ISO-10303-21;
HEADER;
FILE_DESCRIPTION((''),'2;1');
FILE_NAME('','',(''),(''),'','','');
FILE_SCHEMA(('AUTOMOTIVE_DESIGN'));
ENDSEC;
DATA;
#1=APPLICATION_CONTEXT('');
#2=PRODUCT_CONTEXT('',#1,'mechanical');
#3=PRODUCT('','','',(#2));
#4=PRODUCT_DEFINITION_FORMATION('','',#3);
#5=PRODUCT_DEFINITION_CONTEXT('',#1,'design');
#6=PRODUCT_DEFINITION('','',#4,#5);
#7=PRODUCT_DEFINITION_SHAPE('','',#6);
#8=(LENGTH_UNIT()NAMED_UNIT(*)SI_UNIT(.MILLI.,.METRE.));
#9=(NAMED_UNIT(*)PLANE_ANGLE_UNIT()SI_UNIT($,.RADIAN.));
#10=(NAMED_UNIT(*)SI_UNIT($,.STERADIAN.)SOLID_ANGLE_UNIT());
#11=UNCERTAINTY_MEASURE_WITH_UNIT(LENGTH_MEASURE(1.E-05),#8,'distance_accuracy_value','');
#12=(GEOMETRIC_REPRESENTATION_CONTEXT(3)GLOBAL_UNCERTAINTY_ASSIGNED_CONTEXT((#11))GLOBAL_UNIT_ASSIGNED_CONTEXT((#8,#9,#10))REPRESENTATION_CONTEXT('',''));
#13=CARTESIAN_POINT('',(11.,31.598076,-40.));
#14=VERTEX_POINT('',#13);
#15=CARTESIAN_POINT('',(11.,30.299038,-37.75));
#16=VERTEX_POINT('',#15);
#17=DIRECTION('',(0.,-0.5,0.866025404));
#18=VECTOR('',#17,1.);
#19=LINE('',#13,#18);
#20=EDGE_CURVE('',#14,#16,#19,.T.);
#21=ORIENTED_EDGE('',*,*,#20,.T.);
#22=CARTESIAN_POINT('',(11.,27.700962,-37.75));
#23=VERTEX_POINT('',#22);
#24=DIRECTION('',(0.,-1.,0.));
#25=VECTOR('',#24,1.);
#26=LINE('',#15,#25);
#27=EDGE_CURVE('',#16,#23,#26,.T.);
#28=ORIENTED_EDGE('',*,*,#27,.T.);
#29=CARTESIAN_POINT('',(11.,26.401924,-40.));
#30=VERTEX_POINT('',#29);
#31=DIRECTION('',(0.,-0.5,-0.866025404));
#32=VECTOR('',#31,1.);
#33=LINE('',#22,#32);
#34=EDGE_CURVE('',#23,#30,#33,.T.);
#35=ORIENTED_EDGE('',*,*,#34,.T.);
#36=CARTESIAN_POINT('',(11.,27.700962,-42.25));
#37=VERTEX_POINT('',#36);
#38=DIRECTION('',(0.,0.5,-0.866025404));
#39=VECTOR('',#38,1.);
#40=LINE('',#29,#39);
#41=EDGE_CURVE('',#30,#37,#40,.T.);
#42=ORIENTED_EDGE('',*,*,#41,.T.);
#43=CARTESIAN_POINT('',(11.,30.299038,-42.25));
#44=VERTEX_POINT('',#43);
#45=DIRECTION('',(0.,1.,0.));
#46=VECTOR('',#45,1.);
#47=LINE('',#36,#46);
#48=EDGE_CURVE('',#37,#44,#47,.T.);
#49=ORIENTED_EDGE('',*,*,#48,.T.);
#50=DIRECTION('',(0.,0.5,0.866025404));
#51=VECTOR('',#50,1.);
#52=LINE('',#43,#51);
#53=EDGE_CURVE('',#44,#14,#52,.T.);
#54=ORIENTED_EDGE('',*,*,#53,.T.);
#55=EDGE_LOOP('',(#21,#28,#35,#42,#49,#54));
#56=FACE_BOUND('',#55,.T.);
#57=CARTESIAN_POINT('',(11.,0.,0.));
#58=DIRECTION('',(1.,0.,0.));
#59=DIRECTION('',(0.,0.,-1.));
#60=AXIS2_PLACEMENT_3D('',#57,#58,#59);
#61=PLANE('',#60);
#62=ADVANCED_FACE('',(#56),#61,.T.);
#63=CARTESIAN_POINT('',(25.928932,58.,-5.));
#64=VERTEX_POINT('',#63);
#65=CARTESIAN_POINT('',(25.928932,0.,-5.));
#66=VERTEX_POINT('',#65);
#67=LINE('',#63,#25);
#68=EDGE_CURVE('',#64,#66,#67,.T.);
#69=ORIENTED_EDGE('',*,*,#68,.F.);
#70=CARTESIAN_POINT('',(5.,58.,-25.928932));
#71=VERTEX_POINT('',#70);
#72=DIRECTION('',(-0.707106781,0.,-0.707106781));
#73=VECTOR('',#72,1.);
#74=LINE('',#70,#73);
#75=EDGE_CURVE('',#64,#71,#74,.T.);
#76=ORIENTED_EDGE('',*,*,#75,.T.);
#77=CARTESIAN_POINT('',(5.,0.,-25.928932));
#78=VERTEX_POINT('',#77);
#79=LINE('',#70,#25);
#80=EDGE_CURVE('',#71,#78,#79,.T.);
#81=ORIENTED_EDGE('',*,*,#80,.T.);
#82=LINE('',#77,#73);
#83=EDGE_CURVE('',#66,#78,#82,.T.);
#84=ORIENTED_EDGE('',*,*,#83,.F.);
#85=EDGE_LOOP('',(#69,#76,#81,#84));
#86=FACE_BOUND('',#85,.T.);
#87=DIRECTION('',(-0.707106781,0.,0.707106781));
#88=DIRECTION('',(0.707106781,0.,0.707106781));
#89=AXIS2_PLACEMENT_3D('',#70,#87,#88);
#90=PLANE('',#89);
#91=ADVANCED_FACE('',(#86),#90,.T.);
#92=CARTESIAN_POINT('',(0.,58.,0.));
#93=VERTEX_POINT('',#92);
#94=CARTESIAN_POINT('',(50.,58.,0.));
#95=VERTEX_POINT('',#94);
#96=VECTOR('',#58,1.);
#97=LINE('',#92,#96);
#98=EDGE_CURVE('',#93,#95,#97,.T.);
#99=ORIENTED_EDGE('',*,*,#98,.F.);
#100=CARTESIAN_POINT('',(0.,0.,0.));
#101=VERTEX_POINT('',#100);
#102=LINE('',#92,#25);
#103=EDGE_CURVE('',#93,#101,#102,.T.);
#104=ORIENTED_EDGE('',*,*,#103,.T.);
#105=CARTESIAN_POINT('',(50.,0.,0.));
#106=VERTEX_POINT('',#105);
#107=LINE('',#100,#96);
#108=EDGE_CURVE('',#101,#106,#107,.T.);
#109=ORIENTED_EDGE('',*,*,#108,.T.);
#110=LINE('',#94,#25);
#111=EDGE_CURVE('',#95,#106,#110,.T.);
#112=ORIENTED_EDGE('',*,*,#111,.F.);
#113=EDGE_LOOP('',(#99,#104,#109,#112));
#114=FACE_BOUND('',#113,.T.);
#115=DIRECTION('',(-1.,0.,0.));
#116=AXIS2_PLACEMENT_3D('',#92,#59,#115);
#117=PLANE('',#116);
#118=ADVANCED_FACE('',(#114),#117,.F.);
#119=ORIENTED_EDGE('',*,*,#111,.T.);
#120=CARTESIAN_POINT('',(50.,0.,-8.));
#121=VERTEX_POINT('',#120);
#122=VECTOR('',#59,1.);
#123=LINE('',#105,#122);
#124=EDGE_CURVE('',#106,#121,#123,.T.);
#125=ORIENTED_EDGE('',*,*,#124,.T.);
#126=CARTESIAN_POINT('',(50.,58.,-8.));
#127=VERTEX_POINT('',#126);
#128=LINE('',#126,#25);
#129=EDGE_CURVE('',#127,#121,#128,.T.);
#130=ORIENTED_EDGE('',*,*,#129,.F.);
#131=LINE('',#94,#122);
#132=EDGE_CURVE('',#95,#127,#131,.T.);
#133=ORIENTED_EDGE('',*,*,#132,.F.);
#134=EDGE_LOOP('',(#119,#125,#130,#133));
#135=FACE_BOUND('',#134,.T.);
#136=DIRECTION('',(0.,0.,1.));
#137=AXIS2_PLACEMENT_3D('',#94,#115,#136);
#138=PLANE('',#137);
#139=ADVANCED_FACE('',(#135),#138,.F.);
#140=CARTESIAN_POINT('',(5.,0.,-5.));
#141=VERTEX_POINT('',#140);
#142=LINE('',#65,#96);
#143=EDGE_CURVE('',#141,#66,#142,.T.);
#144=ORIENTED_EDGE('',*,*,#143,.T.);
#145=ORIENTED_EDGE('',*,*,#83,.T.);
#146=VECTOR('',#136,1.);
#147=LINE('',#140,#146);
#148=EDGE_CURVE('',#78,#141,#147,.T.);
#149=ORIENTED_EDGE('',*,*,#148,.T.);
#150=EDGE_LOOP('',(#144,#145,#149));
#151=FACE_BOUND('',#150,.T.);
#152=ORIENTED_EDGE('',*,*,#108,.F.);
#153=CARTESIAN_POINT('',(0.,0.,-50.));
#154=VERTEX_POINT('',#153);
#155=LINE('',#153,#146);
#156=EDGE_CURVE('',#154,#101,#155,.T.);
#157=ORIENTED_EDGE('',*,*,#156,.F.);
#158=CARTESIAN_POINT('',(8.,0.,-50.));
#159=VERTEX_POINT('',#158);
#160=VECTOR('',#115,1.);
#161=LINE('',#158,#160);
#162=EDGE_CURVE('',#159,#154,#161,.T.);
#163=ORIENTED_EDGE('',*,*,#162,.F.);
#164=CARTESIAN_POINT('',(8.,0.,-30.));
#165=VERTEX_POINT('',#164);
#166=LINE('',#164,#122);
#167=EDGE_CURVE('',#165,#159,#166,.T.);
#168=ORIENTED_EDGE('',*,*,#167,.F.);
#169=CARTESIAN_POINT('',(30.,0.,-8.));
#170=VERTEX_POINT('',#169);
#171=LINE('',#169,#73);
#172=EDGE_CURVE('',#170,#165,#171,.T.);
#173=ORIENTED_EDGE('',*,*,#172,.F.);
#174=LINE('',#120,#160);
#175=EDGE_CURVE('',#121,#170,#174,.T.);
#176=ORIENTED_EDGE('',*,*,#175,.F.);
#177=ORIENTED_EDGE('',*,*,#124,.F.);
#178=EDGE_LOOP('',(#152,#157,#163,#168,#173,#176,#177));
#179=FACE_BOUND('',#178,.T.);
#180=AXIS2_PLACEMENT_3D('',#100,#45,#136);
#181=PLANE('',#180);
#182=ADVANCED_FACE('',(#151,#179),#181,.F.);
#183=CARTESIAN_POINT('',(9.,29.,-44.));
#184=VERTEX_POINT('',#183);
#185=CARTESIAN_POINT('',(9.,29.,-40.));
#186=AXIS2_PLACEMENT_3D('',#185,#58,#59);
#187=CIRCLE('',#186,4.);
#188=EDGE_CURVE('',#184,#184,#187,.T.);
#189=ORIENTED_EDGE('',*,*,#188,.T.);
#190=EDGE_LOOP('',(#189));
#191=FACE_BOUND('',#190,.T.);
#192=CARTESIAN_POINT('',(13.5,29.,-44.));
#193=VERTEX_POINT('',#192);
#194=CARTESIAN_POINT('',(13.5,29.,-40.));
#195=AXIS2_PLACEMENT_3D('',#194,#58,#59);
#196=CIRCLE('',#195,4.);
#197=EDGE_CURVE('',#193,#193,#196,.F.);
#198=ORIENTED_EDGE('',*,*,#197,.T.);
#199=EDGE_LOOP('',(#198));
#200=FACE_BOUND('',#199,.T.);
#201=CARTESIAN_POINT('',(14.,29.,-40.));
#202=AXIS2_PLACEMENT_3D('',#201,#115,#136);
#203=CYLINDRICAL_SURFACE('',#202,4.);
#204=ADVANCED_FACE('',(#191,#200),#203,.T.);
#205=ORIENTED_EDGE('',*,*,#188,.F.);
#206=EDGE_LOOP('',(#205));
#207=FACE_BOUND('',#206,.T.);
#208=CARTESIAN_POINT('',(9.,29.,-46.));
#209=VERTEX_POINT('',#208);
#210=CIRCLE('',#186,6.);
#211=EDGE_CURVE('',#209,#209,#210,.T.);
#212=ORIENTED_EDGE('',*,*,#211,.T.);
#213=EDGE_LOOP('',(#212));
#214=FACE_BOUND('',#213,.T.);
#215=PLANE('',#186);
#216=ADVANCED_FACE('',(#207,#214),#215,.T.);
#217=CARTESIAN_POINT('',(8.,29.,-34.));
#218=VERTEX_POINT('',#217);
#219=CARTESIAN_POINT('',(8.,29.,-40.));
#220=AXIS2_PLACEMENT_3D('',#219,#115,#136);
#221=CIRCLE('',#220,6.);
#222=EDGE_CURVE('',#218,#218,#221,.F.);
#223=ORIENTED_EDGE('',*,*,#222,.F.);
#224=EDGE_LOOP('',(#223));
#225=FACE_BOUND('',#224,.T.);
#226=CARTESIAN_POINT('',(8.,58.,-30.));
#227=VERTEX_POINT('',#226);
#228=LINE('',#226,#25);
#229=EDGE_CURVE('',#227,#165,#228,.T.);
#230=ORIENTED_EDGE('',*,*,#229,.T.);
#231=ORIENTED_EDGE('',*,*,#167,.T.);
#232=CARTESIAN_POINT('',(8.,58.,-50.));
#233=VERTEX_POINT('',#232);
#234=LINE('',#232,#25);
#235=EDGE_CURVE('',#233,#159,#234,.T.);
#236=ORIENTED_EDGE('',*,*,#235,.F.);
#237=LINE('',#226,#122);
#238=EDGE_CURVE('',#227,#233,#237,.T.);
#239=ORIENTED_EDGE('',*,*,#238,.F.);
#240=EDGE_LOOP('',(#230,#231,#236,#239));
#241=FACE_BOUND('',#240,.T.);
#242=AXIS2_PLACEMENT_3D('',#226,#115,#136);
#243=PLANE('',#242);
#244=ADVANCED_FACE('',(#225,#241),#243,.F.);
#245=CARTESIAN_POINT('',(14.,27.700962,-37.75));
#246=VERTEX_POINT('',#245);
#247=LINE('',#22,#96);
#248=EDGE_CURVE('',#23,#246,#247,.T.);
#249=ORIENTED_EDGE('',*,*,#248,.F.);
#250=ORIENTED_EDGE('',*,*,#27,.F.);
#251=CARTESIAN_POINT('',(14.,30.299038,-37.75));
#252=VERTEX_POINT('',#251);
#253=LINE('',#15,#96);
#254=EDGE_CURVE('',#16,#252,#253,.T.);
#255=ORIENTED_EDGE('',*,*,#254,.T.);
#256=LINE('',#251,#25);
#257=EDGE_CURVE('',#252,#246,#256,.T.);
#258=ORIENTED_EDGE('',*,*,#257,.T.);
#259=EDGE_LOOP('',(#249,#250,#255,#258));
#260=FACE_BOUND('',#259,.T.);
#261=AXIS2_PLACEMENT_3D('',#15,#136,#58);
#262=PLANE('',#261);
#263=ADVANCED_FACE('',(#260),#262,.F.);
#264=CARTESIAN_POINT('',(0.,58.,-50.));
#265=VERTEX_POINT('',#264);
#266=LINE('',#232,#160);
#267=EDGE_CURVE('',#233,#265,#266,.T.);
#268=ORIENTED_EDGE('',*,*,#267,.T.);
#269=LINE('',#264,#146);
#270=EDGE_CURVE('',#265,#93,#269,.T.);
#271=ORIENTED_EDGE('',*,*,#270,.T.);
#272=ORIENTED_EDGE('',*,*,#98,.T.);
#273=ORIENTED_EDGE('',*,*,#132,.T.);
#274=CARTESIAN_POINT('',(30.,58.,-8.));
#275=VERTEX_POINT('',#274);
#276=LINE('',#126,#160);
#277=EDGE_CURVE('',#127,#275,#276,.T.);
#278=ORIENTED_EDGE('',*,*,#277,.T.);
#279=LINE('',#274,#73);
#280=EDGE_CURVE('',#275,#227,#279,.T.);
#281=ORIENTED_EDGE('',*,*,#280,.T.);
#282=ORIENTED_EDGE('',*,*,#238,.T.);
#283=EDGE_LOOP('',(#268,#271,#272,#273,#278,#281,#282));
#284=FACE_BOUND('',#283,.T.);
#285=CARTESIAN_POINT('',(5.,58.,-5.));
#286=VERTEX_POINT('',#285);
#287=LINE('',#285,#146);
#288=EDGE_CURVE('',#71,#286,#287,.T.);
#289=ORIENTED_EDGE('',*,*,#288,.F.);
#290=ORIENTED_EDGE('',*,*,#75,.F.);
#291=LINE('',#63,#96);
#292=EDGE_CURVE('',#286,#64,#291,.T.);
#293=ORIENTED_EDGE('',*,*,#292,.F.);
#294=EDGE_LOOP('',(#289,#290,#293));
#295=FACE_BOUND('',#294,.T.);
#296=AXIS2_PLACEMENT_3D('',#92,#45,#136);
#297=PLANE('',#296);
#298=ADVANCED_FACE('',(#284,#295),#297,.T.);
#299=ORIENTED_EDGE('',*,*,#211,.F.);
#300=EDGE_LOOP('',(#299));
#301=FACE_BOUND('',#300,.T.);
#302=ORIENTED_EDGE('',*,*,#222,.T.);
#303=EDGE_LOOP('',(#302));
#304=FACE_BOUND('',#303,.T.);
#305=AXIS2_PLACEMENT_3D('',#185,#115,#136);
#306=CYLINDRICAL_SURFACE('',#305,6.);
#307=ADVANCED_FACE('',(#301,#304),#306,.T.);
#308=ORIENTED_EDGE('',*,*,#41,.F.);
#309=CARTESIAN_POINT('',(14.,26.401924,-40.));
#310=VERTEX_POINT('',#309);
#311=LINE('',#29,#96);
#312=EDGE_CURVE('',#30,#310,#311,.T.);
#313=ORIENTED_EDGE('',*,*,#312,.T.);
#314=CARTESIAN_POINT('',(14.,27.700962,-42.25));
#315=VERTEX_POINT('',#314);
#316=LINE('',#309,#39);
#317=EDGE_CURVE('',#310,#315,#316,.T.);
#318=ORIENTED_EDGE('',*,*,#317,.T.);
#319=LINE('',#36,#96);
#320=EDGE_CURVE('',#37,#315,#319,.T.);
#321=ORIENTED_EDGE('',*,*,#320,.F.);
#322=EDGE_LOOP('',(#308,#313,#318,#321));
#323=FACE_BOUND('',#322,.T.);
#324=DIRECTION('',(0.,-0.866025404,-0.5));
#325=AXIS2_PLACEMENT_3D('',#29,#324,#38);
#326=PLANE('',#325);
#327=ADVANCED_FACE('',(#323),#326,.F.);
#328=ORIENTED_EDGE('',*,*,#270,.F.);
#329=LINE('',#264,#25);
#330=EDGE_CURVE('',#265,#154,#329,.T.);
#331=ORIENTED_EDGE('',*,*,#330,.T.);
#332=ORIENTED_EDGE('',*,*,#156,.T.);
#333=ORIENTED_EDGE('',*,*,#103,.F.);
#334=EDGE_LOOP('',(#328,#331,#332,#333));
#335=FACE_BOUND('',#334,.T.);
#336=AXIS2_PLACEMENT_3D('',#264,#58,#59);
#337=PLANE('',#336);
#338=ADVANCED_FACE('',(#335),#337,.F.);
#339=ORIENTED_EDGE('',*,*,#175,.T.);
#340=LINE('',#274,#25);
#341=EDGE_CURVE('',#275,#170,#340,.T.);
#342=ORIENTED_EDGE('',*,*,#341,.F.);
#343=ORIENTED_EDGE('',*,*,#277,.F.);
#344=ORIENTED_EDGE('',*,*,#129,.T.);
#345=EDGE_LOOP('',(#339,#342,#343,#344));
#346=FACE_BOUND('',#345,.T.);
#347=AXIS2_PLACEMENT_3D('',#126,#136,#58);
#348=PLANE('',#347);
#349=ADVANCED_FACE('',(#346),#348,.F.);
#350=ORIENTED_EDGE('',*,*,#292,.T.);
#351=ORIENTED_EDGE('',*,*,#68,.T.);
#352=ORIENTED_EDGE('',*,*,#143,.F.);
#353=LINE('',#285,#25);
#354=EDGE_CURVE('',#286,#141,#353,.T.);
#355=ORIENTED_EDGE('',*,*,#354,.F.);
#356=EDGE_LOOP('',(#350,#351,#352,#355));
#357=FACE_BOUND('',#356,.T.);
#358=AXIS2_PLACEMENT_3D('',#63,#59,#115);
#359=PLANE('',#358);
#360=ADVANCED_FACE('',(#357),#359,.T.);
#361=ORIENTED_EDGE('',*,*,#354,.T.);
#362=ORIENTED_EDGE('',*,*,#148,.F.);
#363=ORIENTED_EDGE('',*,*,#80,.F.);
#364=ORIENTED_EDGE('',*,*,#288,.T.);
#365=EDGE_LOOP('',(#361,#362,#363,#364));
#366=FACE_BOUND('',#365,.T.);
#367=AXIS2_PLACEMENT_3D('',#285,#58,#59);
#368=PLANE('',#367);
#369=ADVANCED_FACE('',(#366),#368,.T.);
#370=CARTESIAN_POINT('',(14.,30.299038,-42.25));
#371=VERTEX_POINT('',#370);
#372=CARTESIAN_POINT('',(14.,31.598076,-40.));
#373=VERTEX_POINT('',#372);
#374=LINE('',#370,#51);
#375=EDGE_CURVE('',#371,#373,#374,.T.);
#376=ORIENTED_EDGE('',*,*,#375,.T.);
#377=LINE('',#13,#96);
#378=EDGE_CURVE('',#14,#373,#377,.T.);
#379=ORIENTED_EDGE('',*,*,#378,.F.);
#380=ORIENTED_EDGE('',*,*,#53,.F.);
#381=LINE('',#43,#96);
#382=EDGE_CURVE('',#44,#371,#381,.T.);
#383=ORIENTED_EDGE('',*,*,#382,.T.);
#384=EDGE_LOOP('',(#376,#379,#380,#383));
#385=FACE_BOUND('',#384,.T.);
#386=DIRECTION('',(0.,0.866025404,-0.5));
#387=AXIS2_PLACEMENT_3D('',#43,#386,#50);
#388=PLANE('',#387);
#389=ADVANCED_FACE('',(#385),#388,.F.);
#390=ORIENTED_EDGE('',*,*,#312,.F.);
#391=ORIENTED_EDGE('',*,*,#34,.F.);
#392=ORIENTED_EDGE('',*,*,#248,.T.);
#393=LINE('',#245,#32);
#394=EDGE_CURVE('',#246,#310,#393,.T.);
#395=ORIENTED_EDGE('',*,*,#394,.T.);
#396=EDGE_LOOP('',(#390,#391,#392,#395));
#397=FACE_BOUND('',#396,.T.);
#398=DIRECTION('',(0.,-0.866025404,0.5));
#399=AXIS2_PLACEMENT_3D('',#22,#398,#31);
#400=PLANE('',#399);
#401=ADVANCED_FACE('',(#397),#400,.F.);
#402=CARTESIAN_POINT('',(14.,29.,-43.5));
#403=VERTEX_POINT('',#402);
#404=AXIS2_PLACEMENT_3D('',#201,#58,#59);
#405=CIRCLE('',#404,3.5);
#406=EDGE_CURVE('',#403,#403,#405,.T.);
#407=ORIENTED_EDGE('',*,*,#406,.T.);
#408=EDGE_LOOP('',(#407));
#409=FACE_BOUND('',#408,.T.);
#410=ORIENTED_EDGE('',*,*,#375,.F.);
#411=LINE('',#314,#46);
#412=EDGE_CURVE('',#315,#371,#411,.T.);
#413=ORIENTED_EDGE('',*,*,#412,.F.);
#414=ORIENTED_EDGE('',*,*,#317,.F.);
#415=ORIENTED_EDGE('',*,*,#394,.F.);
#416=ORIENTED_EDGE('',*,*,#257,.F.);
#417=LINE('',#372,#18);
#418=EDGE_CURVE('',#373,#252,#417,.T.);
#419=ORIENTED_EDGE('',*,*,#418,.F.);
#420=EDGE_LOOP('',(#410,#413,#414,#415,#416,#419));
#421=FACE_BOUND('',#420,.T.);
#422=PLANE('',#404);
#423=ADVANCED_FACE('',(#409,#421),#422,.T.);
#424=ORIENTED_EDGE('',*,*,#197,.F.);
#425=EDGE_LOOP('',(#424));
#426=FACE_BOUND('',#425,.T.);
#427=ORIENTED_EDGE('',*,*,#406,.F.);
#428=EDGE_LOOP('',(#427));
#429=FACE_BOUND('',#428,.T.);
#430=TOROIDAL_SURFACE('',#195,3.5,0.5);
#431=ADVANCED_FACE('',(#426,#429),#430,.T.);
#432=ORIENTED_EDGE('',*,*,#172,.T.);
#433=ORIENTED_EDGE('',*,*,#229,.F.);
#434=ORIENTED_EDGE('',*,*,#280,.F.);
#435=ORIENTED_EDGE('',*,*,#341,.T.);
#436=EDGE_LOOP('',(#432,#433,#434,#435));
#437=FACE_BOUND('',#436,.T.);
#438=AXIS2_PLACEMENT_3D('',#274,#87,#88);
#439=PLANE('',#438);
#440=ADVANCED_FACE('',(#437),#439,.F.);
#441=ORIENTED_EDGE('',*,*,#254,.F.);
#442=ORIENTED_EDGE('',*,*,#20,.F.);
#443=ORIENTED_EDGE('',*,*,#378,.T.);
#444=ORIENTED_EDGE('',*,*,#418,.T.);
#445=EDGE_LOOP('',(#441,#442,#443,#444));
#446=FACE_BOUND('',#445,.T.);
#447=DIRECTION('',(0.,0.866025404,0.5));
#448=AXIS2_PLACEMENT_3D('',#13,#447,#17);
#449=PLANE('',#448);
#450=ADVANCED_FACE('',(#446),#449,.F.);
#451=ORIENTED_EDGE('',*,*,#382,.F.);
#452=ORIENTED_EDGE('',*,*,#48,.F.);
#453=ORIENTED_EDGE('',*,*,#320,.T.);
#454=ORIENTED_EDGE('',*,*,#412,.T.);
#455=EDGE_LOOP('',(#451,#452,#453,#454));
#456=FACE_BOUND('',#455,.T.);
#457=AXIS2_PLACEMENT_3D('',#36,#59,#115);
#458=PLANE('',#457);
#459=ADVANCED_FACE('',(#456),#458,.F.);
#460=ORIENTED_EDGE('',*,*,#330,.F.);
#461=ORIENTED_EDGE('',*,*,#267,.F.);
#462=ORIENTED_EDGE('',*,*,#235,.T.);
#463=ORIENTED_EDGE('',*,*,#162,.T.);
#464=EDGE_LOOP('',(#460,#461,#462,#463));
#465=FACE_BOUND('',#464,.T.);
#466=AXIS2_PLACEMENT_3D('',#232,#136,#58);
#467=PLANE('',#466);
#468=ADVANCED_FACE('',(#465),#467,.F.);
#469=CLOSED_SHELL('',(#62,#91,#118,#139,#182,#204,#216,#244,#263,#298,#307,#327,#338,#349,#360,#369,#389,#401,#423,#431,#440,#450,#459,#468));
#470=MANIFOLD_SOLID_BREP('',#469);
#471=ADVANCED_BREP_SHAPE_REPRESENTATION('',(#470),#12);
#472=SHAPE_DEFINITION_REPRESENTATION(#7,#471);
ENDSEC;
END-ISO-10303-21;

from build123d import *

# Parameters (mm, degrees)
BOSS_EXTRUDE1_DEPTH = 58
SKETCH2_R           = 6
BOSS_EXTRUDE2_DEPTH = 1
SKETCH3_R           = 4
BOSS_EXTRUDE3_DEPTH = 5
CUT_EXTRUDE1_DEPTH  = 3
FILLET1_R           = 0.5


with BuildPart() as part:
    # Sketch1 → Boss-Extrude1 (new body)
    with BuildSketch(Plane(origin=(0, 0, 0), x_dir=(1, 0, 0), z_dir=(0, 1, 0))):
        Polygon((0, 50), (0, 0), (50, 0), (50, 8), (30, 8), (8, 30), (8, 50), align=None)
        Polygon((5, 25.928932188), (25.928932188, 5), (5, 5), align=None, mode=Mode.SUBTRACT)
    extrude(amount=BOSS_EXTRUDE1_DEPTH)

    # Sketch2 → Boss-Extrude2 (add)
    with BuildSketch(Plane(origin=(8, 0, 0), x_dir=(0, 0, -1), z_dir=(1, 0, 0))):
        with Locations((40, 29)):
            Circle(SKETCH2_R)
    extrude(amount=BOSS_EXTRUDE2_DEPTH)

    # Sketch3 → Boss-Extrude3 (add)
    with BuildSketch(Plane(origin=(9, 0, 0), x_dir=(0, 0, -1), z_dir=(1, 0, 0))):
        with Locations((40, 29)):
            Circle(SKETCH3_R)
    extrude(amount=BOSS_EXTRUDE3_DEPTH)

    # Sketch4 → Cut-Extrude1 (cut)
    with BuildSketch(Plane(origin=(14, 0, 0), x_dir=(0, 0, -1), z_dir=(1, 0, 0))):
        Polygon((40, 26.401923789), (42.25, 27.700961894), (42.25, 30.299038106), (40, 31.598076211), (37.75, 30.299038106), (37.75, 27.700961894), align=None)
    extrude(amount=-CUT_EXTRUDE1_DEPTH, mode=Mode.SUBTRACT)

    # Fillet1
    fillet1_edges = [part.edges().sort_by_distance(p)[0] for p in [
        (14, 29, -36),
    ]]
    fillet(fillet1_edges, radius=FILLET1_R)


solid = part.part
